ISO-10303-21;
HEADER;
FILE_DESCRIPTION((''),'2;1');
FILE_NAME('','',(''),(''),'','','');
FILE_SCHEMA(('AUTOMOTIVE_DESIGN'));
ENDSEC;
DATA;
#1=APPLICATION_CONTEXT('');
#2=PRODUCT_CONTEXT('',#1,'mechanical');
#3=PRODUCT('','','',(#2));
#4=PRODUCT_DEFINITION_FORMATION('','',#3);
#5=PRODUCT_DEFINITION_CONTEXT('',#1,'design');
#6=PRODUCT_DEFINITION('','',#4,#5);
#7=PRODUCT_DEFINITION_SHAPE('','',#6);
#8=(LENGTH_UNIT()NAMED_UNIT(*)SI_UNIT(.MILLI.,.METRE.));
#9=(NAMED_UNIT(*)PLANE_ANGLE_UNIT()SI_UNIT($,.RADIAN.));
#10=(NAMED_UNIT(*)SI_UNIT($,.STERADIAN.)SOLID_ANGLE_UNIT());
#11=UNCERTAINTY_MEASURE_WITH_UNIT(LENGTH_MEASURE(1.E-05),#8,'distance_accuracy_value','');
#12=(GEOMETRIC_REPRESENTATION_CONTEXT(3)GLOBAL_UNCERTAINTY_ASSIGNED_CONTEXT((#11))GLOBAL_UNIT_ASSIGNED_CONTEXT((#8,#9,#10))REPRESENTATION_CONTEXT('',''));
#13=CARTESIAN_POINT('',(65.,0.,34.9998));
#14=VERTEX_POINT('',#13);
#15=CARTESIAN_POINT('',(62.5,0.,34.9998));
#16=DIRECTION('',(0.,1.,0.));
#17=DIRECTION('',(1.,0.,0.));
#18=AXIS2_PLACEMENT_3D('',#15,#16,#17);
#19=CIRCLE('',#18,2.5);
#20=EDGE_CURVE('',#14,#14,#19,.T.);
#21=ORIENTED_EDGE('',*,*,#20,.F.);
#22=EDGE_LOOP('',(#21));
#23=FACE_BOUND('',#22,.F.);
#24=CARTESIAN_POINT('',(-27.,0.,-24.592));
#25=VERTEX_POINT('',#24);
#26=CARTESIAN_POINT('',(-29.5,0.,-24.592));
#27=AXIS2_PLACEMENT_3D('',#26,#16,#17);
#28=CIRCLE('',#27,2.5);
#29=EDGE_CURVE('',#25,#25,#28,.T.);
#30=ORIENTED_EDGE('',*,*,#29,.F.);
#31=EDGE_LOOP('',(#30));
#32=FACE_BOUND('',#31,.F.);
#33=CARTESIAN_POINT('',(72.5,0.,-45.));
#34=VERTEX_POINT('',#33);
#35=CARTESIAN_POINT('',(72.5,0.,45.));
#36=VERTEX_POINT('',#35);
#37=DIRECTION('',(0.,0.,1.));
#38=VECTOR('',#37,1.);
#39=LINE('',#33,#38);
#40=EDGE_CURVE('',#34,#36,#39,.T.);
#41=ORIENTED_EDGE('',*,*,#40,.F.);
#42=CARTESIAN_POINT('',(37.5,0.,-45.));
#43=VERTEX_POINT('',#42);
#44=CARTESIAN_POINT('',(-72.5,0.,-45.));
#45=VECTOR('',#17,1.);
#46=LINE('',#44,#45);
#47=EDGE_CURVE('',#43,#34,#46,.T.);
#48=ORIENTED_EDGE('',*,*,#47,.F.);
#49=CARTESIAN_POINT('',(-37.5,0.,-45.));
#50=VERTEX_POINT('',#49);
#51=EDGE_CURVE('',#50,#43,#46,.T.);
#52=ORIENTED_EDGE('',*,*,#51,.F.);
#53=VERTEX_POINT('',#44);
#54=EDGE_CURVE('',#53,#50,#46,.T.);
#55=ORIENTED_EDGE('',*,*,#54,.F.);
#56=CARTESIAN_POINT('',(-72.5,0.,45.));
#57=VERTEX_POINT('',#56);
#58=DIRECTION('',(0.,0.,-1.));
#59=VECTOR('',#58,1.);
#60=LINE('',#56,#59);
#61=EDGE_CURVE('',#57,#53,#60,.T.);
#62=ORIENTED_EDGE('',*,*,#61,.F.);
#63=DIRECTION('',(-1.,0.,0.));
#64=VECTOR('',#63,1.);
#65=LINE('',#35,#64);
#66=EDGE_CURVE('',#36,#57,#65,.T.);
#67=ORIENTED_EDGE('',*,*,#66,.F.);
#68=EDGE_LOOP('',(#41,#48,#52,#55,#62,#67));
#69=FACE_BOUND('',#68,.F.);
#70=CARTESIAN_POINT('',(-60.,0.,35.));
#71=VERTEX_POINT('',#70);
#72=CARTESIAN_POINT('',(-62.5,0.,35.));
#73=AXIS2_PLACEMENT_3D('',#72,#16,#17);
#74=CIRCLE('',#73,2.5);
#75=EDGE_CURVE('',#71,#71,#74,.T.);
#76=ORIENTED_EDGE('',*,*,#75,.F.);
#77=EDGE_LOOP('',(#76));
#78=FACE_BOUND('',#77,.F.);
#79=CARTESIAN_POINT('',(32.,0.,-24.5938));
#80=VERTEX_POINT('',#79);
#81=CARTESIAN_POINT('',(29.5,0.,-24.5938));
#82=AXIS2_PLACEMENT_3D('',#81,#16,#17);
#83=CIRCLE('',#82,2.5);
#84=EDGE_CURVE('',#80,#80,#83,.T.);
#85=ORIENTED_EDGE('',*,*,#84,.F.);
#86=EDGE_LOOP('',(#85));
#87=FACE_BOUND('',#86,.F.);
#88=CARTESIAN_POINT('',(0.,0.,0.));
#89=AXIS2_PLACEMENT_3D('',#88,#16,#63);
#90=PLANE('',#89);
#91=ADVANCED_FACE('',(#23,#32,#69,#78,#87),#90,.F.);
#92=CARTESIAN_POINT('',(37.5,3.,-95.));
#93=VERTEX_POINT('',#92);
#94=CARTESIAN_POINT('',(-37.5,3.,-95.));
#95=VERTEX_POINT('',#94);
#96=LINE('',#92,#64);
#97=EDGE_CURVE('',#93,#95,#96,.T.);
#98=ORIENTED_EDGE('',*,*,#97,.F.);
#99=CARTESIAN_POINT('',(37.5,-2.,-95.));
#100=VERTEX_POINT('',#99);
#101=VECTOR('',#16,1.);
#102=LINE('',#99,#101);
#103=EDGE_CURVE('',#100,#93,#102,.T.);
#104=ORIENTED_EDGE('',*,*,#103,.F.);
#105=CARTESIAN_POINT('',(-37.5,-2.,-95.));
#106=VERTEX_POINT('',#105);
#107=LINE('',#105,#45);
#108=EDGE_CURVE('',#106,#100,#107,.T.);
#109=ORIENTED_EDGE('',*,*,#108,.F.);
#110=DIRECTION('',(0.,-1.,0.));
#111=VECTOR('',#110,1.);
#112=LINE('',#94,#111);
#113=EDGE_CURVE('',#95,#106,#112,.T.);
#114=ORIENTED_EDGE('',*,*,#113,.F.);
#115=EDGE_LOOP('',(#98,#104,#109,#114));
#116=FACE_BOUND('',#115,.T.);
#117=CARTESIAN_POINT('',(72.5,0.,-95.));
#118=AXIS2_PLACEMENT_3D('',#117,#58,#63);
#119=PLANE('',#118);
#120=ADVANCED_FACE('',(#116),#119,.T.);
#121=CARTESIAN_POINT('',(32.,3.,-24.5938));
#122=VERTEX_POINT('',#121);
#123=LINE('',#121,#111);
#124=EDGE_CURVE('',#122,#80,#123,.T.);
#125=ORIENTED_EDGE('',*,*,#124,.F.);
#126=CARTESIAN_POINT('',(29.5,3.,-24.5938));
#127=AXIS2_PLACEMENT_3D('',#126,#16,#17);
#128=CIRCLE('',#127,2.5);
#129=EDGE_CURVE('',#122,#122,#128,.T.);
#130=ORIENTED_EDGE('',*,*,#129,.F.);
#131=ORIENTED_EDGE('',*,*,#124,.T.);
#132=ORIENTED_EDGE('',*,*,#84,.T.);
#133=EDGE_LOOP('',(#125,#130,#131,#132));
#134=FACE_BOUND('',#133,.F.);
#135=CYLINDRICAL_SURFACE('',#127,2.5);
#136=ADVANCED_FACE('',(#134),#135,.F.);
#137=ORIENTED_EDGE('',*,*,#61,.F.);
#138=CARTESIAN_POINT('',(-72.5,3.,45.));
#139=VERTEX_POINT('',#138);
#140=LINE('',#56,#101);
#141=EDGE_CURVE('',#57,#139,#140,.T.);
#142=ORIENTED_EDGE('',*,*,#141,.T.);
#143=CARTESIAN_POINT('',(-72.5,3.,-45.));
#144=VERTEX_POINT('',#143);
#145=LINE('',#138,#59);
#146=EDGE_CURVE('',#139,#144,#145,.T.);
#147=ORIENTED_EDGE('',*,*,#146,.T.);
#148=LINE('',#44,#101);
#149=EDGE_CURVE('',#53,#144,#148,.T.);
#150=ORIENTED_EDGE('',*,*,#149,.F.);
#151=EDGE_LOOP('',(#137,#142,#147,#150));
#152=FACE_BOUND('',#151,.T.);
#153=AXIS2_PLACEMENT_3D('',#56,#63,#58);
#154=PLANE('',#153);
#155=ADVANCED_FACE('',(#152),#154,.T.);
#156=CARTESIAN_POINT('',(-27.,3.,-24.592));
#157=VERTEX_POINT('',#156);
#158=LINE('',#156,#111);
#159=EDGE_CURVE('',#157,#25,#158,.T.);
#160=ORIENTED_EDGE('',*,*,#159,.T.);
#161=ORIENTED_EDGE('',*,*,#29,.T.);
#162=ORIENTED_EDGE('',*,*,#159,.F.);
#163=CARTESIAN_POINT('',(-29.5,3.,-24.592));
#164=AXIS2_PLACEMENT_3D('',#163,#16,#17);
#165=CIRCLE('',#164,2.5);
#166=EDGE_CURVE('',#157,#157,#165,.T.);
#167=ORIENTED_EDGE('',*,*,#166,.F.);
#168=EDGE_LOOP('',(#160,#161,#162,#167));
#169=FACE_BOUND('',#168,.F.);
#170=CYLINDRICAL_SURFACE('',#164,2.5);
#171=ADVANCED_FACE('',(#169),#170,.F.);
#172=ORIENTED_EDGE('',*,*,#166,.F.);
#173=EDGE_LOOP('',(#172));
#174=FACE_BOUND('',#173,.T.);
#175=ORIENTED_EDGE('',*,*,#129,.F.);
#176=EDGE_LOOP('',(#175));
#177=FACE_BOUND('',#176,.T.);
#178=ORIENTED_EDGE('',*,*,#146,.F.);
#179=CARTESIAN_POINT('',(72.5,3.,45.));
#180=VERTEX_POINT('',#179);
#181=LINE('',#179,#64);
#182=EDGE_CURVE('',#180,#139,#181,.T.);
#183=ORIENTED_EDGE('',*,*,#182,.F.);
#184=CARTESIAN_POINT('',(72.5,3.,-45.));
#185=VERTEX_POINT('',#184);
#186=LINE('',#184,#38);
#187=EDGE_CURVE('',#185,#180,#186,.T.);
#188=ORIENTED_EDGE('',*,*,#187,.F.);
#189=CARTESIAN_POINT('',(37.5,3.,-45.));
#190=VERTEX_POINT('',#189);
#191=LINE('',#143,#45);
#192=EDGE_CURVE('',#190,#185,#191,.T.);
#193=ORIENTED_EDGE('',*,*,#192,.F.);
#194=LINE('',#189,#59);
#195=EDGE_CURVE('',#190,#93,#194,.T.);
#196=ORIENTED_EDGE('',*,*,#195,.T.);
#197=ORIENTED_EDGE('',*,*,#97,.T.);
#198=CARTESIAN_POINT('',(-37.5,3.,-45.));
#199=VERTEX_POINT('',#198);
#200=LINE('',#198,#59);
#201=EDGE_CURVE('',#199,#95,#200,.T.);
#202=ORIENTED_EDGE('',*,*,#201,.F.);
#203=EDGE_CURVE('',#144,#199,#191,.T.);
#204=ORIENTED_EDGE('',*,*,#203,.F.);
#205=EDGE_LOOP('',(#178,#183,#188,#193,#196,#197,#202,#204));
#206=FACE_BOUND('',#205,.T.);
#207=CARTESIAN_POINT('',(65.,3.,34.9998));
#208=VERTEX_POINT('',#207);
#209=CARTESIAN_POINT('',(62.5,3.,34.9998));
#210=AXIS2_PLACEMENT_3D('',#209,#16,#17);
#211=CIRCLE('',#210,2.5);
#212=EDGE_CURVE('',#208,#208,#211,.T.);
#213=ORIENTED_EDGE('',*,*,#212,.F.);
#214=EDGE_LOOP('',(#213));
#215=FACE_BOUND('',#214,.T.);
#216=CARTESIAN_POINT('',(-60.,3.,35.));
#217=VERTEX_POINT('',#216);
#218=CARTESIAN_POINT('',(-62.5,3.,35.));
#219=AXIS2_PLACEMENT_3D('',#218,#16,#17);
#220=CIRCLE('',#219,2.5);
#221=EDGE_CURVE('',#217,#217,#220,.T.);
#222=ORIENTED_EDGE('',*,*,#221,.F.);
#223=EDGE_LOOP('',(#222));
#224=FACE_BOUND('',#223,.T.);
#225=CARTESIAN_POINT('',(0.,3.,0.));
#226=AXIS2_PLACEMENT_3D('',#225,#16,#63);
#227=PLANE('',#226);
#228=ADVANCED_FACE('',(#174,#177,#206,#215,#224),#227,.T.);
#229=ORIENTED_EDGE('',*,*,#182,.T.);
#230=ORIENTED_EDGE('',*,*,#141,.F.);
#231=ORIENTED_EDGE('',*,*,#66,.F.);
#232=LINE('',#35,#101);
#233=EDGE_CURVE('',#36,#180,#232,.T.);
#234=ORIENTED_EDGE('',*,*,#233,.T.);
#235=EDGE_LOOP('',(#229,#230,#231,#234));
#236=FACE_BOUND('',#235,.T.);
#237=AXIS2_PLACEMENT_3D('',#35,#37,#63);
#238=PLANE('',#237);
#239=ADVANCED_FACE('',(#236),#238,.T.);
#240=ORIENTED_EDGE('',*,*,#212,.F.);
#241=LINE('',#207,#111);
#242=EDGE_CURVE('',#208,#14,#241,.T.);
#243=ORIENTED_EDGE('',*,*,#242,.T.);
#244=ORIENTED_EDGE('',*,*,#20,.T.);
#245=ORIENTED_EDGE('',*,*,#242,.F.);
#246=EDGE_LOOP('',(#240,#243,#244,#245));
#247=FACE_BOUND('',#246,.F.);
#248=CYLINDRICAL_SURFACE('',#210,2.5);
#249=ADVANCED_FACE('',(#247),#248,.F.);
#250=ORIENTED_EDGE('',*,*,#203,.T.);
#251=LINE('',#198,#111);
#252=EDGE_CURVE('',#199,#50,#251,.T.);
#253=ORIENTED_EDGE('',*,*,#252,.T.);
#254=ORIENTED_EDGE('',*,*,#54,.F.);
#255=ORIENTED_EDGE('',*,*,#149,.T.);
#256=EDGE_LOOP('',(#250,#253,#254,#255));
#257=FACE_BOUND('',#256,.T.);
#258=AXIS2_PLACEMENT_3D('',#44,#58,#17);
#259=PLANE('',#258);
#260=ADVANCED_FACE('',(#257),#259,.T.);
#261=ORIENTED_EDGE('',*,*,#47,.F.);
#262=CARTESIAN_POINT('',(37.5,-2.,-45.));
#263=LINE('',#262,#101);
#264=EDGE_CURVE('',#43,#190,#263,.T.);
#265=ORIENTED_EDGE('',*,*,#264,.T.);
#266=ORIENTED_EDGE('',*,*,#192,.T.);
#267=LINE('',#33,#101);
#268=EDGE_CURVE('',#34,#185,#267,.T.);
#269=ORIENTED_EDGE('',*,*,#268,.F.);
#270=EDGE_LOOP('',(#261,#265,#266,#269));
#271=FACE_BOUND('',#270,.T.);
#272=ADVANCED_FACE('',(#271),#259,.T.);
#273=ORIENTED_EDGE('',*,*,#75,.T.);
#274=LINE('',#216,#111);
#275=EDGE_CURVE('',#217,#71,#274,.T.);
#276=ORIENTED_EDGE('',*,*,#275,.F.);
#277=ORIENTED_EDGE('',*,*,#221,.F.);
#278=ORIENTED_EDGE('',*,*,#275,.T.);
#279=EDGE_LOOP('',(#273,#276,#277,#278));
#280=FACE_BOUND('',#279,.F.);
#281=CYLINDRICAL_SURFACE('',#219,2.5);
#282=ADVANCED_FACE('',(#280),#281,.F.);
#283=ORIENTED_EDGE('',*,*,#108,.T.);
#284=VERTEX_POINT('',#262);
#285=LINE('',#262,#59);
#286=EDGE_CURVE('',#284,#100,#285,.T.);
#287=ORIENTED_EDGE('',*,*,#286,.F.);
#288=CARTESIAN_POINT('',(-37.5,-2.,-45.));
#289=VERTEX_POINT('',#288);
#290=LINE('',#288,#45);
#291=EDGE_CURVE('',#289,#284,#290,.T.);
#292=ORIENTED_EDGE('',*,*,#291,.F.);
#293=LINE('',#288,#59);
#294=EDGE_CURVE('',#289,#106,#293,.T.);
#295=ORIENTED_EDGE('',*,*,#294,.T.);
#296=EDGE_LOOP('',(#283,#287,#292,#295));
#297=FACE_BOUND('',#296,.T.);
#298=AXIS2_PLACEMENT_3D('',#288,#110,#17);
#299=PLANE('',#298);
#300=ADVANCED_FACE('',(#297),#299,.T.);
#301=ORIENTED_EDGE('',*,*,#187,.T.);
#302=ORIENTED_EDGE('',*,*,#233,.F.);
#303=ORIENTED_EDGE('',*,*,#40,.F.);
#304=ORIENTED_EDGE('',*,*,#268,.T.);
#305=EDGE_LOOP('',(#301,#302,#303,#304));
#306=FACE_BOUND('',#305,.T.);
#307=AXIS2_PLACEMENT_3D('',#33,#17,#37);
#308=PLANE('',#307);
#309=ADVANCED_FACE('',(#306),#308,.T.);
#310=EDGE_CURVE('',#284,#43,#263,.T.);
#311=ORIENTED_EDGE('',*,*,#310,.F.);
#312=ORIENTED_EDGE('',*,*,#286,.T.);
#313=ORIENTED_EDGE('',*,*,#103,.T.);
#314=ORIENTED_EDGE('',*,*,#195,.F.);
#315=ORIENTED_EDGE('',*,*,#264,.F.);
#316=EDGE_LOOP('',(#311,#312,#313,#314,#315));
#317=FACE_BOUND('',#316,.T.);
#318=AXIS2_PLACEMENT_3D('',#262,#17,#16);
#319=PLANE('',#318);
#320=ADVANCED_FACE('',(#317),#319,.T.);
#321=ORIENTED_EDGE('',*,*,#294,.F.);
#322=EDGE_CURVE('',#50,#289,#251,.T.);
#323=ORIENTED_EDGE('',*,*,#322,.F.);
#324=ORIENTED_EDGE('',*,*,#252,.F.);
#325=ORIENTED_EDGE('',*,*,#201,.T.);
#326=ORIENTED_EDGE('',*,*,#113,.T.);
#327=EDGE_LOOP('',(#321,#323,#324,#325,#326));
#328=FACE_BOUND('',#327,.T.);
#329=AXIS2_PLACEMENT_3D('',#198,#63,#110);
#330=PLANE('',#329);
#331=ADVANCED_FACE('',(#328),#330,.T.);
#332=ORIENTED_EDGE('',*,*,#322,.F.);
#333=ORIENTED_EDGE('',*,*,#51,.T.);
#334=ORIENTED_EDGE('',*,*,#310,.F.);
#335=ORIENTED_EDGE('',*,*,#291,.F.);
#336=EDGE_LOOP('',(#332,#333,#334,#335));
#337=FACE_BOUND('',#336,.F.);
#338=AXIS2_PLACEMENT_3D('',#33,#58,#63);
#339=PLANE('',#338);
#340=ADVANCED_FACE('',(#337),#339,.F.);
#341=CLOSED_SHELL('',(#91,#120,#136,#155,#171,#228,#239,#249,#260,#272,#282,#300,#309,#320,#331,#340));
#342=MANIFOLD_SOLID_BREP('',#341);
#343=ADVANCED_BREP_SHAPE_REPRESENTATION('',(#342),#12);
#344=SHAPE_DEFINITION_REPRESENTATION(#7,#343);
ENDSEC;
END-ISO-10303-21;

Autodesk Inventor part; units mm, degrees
ref_plane "YZ Plane" through (0, 0, 0) normal (1, 0, 0) x (0, 1, 0)
ref_plane "XZ Plane" through (0, 0, 0) normal (0, 1, 0) x (-1, 0, 0)
ref_plane "XY Plane" through (0, 0, 0) normal (0, 0, 1) x (1, 0, 0)
sketch "Sketch1" plane through (0, 0, 0) normal (0, 1, 0) x (-1, 0, 0)
  line L0 (72.5, -45) -> (-72.5, -45)
  line L1 (-72.5, -45) -> (-72.5, 45)
  line L2 (-72.5, 45) -> (72.5, 45)
  line L3 (72.5, 45) -> (72.5, -45)
  line L4 (72.5, -45) -> (-72.5, 45) construction
  line L5 (-72.5, -45) -> (72.5, 45) construction
  point P0 (0, 0)
  dimension "d0" = 145
  dimension "d1" = 90
extrude "Extrusion1" add sketch "Sketch1" along normal blind 3
sketch "Sketch4" plane through (72.5, 0, -45) normal (0, 0, -1) x (-1, 0, 0)
  line L0 (35, 3) -> (110, 3)
  line L1 (110, 3) -> (110, -2)
  line L2 (110, -2) -> (35, -2)
  line L3 (35, -2) -> (35, 3)
  line L4 (35, 3) -> (110, -2) construction
  line L5 (110, 3) -> (35, -2) construction
  line L6 (0, 3) -> (145, 3) projected
  point P0 (72.5, 0)
  point P1 (72.5, 0.5)
  dimension "d28" = 75
  dimension "d29" = 5
  dimension "d30" = 0
extrude "Extrusion3" add sketch "Sketch4" along normal blind 50
sketch "Sketch3" plane through (0, 3, 0) normal (0, 1, 0) x (1, 0, 0)
  circle A0 centre (62.5, -34.9998) radius 2.5
  circle A1 centre (-62.5, -35) radius 2.5
  circle A2 centre (-29.5, 24.592) radius 2.5
  circle A3 centre (29.5, 24.5938) radius 2.5
  line L0 (-72.5, 45) -> (-72.5, -45) projected
  line L1 (-72.5, -45) -> (72.5, -45) projected
  point P0 (0, 0)
  dimension "d4" = 5
  dimension "d7" = 5
  dimension "d10" = 5
  dimension "d13" = 5
  dimension "d20" = 59
  dimension "d21" = 125
  dimension "d22" = 33
  dimension "d23" = 59.592
  dimension "d24" = 10
  dimension "d25" = 10
extrude "Extrusion2" cut sketch "Sketch3" against normal through all
properties part number "chasis_arriba"
